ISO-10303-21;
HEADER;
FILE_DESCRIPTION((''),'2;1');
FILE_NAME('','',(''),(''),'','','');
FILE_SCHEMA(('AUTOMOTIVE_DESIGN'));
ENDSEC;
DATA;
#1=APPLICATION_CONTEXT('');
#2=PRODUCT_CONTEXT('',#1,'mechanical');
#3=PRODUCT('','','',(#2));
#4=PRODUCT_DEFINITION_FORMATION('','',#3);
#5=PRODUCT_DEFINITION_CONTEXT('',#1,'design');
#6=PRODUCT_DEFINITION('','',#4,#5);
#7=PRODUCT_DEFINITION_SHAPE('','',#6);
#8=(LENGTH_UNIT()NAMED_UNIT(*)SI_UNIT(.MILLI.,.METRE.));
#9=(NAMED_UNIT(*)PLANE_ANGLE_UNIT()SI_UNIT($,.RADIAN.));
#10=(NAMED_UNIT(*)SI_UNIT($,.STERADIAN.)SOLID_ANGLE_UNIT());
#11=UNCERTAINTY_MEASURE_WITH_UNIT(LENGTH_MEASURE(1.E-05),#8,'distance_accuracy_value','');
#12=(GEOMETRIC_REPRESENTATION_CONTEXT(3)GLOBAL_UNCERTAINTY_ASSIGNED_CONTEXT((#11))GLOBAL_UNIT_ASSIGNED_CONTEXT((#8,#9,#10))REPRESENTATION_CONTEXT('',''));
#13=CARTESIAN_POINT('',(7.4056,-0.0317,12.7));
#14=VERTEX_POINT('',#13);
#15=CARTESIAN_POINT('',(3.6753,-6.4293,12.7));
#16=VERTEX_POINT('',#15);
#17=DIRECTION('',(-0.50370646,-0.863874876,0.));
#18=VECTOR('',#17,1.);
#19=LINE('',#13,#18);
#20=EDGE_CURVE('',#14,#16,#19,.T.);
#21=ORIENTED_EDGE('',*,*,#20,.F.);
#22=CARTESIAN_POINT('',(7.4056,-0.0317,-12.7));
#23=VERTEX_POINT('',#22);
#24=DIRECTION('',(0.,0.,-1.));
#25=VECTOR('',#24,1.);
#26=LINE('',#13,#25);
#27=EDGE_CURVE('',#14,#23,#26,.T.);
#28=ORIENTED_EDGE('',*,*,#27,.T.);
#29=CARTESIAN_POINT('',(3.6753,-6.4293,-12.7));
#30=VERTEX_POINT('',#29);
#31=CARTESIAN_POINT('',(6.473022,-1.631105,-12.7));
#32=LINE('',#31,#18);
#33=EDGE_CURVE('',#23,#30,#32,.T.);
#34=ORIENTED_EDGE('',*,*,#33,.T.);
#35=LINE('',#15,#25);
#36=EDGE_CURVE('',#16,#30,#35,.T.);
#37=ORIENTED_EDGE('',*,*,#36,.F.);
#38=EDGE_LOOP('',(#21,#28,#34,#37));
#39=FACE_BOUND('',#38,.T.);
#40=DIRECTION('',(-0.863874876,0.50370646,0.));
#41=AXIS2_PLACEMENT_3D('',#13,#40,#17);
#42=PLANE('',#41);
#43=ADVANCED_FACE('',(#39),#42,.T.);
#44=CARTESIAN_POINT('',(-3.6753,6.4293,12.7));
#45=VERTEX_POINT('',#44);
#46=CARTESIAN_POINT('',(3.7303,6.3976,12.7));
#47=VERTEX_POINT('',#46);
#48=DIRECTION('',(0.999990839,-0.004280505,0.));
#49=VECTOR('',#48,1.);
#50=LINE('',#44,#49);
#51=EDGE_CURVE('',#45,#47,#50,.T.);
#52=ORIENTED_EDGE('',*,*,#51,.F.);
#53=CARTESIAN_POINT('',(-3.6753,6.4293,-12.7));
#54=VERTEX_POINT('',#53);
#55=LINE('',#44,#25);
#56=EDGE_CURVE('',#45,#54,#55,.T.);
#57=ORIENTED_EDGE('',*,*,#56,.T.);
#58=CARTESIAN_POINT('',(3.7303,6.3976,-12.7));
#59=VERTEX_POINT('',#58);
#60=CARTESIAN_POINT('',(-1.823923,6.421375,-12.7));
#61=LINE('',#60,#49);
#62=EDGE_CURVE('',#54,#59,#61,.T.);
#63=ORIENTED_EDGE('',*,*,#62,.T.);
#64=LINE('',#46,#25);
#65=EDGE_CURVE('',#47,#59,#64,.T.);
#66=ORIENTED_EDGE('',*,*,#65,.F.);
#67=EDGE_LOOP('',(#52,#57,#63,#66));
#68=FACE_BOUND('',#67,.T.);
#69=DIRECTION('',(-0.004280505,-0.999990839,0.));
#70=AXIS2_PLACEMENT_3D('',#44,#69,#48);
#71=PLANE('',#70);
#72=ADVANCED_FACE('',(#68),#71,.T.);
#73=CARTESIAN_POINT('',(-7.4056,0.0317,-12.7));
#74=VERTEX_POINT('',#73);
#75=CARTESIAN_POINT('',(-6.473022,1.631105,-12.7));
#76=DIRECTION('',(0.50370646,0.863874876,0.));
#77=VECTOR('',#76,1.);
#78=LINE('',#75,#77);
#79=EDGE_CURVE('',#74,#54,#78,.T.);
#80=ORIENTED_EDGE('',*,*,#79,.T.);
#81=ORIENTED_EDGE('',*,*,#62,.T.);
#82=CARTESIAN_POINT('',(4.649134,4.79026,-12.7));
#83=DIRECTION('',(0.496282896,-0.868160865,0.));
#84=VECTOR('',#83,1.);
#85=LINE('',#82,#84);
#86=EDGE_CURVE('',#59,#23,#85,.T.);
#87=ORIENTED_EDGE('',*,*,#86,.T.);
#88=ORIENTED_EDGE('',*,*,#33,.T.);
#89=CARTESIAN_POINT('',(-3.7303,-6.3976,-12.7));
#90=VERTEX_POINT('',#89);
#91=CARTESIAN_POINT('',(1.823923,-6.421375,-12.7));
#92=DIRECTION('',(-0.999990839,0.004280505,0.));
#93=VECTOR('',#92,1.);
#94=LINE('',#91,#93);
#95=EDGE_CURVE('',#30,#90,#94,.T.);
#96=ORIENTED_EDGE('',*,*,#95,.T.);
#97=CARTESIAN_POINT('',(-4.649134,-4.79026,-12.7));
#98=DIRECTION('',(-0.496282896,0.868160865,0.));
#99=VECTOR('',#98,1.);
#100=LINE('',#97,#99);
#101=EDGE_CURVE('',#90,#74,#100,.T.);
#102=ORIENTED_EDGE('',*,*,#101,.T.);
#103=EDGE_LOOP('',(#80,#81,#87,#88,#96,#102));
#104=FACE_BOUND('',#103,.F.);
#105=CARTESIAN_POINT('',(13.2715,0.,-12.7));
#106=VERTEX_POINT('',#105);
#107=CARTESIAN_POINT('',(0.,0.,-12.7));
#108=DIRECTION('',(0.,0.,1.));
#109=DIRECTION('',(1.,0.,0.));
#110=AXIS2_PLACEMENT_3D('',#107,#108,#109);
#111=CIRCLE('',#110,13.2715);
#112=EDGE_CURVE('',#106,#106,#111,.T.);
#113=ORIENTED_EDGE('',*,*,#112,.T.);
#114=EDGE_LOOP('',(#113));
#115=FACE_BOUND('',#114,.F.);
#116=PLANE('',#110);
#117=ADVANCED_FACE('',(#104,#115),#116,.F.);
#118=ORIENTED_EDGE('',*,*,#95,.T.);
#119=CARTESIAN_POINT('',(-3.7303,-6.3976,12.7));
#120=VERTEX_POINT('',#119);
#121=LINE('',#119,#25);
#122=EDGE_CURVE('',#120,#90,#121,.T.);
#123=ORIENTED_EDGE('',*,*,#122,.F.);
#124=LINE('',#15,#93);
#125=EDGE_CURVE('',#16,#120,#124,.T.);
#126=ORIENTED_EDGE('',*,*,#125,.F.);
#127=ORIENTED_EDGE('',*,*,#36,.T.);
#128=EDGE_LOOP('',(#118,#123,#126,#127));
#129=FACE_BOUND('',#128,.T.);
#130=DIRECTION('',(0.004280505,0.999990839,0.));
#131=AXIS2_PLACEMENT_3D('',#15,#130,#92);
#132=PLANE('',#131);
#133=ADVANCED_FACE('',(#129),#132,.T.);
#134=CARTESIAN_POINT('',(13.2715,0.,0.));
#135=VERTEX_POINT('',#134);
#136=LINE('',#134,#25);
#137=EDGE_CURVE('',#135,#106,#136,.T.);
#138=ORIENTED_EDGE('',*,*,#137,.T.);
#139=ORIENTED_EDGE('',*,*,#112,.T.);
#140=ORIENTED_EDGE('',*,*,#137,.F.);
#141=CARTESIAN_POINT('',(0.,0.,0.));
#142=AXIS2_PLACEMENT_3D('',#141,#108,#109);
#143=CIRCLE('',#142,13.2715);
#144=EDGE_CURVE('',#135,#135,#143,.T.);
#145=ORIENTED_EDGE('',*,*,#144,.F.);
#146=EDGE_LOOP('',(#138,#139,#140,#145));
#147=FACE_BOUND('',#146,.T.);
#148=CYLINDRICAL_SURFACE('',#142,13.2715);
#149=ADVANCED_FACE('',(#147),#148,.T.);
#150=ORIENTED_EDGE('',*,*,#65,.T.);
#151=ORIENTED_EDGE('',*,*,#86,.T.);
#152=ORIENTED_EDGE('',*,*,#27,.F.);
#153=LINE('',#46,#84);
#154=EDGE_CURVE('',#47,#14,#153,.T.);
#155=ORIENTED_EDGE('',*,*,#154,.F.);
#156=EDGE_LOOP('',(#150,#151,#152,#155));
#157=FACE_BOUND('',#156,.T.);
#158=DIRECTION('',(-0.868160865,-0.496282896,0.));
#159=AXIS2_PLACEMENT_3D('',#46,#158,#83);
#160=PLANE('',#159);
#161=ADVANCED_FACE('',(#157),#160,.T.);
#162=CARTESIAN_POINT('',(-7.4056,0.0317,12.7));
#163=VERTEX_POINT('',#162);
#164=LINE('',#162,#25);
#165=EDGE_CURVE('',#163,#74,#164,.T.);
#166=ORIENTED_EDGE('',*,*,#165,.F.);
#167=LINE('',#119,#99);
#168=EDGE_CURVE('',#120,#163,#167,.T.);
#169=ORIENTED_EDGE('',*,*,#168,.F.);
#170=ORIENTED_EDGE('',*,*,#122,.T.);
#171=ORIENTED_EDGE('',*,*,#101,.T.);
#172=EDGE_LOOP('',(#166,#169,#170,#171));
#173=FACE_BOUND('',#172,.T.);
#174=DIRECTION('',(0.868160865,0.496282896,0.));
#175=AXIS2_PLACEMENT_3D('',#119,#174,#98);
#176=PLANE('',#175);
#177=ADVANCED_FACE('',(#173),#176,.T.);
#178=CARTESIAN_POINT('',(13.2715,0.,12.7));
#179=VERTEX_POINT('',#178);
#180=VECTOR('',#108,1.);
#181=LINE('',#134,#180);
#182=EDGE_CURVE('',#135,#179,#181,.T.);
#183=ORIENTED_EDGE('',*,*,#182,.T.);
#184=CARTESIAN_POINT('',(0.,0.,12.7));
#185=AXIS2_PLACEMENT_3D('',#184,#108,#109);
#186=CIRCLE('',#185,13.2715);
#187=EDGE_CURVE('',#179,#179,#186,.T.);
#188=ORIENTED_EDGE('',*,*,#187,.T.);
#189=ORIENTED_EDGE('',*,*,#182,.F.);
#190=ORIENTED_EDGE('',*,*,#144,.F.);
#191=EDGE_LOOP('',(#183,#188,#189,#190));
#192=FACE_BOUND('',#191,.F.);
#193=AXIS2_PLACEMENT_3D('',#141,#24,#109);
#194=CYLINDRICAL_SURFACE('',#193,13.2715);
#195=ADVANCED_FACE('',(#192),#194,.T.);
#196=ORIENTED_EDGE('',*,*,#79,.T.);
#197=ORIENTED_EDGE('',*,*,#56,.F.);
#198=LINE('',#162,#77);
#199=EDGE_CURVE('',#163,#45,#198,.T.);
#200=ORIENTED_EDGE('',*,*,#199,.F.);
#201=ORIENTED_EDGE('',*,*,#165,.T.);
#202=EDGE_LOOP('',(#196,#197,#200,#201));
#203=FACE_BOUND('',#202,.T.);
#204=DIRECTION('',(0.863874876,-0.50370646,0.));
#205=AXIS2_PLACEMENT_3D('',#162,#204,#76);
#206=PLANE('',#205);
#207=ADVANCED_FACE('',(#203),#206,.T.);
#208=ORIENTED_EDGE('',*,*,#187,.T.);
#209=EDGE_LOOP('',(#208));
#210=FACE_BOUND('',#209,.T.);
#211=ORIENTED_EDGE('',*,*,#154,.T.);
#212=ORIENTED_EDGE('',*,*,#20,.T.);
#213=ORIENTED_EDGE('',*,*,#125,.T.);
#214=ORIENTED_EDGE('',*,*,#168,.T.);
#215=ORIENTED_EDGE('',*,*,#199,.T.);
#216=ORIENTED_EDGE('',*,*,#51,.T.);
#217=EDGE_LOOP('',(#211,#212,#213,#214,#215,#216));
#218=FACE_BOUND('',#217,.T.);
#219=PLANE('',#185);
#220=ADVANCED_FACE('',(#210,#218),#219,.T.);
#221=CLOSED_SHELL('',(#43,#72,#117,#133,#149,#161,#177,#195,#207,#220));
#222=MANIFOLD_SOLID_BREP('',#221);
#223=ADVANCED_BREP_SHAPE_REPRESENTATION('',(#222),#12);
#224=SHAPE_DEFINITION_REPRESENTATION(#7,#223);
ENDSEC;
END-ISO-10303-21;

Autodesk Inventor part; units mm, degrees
ref_plane "YZ Plane" through (0, 0, 0) normal (1, 0, 0) x (0, 1, 0)
ref_plane "XZ Plane" through (0, 0, 0) normal (0, 1, 0) x (-1, 0, 0)
ref_plane "XY Plane" through (0, 0, 0) normal (0, 0, 1) x (1, 0, 0)
sketch "Sketch1" plane through (0, 0, 0) normal (0, 0, 1) x (1, 0, 0)
  circle A0 centre (0, 0) radius 13.2715
  dimension "d0" = 26.543
extrude "Extrusion1" add sketch "Sketch1" along normal mid plane 25.4
sketch "Sketch2" plane through (0, 0, 12.7) normal (0, 0, 1) x (1, 0, 0)
  circle A0 centre (0, 0) radius 6.4135 construction
  line L0 (3.6753, -6.4293) -> (-3.7303, -6.3976)
  line L1 (-3.7303, -6.3976) -> (-7.4056, 0.0317)
  line L2 (-7.4056, 0.0317) -> (-3.6753, 6.4293)
  line L3 (-3.6753, 6.4293) -> (3.7303, 6.3976)
  line L4 (3.7303, 6.3976) -> (7.4056, -0.0317)
  line L5 (7.4056, -0.0317) -> (3.6753, -6.4293)
  point P0 (5.5405, -3.2305)
  dimension "d3" = 12.827
extrude "Extrusion2" cut sketch "Sketch2" against normal through all
properties part number "Climber Axel Spacer"
